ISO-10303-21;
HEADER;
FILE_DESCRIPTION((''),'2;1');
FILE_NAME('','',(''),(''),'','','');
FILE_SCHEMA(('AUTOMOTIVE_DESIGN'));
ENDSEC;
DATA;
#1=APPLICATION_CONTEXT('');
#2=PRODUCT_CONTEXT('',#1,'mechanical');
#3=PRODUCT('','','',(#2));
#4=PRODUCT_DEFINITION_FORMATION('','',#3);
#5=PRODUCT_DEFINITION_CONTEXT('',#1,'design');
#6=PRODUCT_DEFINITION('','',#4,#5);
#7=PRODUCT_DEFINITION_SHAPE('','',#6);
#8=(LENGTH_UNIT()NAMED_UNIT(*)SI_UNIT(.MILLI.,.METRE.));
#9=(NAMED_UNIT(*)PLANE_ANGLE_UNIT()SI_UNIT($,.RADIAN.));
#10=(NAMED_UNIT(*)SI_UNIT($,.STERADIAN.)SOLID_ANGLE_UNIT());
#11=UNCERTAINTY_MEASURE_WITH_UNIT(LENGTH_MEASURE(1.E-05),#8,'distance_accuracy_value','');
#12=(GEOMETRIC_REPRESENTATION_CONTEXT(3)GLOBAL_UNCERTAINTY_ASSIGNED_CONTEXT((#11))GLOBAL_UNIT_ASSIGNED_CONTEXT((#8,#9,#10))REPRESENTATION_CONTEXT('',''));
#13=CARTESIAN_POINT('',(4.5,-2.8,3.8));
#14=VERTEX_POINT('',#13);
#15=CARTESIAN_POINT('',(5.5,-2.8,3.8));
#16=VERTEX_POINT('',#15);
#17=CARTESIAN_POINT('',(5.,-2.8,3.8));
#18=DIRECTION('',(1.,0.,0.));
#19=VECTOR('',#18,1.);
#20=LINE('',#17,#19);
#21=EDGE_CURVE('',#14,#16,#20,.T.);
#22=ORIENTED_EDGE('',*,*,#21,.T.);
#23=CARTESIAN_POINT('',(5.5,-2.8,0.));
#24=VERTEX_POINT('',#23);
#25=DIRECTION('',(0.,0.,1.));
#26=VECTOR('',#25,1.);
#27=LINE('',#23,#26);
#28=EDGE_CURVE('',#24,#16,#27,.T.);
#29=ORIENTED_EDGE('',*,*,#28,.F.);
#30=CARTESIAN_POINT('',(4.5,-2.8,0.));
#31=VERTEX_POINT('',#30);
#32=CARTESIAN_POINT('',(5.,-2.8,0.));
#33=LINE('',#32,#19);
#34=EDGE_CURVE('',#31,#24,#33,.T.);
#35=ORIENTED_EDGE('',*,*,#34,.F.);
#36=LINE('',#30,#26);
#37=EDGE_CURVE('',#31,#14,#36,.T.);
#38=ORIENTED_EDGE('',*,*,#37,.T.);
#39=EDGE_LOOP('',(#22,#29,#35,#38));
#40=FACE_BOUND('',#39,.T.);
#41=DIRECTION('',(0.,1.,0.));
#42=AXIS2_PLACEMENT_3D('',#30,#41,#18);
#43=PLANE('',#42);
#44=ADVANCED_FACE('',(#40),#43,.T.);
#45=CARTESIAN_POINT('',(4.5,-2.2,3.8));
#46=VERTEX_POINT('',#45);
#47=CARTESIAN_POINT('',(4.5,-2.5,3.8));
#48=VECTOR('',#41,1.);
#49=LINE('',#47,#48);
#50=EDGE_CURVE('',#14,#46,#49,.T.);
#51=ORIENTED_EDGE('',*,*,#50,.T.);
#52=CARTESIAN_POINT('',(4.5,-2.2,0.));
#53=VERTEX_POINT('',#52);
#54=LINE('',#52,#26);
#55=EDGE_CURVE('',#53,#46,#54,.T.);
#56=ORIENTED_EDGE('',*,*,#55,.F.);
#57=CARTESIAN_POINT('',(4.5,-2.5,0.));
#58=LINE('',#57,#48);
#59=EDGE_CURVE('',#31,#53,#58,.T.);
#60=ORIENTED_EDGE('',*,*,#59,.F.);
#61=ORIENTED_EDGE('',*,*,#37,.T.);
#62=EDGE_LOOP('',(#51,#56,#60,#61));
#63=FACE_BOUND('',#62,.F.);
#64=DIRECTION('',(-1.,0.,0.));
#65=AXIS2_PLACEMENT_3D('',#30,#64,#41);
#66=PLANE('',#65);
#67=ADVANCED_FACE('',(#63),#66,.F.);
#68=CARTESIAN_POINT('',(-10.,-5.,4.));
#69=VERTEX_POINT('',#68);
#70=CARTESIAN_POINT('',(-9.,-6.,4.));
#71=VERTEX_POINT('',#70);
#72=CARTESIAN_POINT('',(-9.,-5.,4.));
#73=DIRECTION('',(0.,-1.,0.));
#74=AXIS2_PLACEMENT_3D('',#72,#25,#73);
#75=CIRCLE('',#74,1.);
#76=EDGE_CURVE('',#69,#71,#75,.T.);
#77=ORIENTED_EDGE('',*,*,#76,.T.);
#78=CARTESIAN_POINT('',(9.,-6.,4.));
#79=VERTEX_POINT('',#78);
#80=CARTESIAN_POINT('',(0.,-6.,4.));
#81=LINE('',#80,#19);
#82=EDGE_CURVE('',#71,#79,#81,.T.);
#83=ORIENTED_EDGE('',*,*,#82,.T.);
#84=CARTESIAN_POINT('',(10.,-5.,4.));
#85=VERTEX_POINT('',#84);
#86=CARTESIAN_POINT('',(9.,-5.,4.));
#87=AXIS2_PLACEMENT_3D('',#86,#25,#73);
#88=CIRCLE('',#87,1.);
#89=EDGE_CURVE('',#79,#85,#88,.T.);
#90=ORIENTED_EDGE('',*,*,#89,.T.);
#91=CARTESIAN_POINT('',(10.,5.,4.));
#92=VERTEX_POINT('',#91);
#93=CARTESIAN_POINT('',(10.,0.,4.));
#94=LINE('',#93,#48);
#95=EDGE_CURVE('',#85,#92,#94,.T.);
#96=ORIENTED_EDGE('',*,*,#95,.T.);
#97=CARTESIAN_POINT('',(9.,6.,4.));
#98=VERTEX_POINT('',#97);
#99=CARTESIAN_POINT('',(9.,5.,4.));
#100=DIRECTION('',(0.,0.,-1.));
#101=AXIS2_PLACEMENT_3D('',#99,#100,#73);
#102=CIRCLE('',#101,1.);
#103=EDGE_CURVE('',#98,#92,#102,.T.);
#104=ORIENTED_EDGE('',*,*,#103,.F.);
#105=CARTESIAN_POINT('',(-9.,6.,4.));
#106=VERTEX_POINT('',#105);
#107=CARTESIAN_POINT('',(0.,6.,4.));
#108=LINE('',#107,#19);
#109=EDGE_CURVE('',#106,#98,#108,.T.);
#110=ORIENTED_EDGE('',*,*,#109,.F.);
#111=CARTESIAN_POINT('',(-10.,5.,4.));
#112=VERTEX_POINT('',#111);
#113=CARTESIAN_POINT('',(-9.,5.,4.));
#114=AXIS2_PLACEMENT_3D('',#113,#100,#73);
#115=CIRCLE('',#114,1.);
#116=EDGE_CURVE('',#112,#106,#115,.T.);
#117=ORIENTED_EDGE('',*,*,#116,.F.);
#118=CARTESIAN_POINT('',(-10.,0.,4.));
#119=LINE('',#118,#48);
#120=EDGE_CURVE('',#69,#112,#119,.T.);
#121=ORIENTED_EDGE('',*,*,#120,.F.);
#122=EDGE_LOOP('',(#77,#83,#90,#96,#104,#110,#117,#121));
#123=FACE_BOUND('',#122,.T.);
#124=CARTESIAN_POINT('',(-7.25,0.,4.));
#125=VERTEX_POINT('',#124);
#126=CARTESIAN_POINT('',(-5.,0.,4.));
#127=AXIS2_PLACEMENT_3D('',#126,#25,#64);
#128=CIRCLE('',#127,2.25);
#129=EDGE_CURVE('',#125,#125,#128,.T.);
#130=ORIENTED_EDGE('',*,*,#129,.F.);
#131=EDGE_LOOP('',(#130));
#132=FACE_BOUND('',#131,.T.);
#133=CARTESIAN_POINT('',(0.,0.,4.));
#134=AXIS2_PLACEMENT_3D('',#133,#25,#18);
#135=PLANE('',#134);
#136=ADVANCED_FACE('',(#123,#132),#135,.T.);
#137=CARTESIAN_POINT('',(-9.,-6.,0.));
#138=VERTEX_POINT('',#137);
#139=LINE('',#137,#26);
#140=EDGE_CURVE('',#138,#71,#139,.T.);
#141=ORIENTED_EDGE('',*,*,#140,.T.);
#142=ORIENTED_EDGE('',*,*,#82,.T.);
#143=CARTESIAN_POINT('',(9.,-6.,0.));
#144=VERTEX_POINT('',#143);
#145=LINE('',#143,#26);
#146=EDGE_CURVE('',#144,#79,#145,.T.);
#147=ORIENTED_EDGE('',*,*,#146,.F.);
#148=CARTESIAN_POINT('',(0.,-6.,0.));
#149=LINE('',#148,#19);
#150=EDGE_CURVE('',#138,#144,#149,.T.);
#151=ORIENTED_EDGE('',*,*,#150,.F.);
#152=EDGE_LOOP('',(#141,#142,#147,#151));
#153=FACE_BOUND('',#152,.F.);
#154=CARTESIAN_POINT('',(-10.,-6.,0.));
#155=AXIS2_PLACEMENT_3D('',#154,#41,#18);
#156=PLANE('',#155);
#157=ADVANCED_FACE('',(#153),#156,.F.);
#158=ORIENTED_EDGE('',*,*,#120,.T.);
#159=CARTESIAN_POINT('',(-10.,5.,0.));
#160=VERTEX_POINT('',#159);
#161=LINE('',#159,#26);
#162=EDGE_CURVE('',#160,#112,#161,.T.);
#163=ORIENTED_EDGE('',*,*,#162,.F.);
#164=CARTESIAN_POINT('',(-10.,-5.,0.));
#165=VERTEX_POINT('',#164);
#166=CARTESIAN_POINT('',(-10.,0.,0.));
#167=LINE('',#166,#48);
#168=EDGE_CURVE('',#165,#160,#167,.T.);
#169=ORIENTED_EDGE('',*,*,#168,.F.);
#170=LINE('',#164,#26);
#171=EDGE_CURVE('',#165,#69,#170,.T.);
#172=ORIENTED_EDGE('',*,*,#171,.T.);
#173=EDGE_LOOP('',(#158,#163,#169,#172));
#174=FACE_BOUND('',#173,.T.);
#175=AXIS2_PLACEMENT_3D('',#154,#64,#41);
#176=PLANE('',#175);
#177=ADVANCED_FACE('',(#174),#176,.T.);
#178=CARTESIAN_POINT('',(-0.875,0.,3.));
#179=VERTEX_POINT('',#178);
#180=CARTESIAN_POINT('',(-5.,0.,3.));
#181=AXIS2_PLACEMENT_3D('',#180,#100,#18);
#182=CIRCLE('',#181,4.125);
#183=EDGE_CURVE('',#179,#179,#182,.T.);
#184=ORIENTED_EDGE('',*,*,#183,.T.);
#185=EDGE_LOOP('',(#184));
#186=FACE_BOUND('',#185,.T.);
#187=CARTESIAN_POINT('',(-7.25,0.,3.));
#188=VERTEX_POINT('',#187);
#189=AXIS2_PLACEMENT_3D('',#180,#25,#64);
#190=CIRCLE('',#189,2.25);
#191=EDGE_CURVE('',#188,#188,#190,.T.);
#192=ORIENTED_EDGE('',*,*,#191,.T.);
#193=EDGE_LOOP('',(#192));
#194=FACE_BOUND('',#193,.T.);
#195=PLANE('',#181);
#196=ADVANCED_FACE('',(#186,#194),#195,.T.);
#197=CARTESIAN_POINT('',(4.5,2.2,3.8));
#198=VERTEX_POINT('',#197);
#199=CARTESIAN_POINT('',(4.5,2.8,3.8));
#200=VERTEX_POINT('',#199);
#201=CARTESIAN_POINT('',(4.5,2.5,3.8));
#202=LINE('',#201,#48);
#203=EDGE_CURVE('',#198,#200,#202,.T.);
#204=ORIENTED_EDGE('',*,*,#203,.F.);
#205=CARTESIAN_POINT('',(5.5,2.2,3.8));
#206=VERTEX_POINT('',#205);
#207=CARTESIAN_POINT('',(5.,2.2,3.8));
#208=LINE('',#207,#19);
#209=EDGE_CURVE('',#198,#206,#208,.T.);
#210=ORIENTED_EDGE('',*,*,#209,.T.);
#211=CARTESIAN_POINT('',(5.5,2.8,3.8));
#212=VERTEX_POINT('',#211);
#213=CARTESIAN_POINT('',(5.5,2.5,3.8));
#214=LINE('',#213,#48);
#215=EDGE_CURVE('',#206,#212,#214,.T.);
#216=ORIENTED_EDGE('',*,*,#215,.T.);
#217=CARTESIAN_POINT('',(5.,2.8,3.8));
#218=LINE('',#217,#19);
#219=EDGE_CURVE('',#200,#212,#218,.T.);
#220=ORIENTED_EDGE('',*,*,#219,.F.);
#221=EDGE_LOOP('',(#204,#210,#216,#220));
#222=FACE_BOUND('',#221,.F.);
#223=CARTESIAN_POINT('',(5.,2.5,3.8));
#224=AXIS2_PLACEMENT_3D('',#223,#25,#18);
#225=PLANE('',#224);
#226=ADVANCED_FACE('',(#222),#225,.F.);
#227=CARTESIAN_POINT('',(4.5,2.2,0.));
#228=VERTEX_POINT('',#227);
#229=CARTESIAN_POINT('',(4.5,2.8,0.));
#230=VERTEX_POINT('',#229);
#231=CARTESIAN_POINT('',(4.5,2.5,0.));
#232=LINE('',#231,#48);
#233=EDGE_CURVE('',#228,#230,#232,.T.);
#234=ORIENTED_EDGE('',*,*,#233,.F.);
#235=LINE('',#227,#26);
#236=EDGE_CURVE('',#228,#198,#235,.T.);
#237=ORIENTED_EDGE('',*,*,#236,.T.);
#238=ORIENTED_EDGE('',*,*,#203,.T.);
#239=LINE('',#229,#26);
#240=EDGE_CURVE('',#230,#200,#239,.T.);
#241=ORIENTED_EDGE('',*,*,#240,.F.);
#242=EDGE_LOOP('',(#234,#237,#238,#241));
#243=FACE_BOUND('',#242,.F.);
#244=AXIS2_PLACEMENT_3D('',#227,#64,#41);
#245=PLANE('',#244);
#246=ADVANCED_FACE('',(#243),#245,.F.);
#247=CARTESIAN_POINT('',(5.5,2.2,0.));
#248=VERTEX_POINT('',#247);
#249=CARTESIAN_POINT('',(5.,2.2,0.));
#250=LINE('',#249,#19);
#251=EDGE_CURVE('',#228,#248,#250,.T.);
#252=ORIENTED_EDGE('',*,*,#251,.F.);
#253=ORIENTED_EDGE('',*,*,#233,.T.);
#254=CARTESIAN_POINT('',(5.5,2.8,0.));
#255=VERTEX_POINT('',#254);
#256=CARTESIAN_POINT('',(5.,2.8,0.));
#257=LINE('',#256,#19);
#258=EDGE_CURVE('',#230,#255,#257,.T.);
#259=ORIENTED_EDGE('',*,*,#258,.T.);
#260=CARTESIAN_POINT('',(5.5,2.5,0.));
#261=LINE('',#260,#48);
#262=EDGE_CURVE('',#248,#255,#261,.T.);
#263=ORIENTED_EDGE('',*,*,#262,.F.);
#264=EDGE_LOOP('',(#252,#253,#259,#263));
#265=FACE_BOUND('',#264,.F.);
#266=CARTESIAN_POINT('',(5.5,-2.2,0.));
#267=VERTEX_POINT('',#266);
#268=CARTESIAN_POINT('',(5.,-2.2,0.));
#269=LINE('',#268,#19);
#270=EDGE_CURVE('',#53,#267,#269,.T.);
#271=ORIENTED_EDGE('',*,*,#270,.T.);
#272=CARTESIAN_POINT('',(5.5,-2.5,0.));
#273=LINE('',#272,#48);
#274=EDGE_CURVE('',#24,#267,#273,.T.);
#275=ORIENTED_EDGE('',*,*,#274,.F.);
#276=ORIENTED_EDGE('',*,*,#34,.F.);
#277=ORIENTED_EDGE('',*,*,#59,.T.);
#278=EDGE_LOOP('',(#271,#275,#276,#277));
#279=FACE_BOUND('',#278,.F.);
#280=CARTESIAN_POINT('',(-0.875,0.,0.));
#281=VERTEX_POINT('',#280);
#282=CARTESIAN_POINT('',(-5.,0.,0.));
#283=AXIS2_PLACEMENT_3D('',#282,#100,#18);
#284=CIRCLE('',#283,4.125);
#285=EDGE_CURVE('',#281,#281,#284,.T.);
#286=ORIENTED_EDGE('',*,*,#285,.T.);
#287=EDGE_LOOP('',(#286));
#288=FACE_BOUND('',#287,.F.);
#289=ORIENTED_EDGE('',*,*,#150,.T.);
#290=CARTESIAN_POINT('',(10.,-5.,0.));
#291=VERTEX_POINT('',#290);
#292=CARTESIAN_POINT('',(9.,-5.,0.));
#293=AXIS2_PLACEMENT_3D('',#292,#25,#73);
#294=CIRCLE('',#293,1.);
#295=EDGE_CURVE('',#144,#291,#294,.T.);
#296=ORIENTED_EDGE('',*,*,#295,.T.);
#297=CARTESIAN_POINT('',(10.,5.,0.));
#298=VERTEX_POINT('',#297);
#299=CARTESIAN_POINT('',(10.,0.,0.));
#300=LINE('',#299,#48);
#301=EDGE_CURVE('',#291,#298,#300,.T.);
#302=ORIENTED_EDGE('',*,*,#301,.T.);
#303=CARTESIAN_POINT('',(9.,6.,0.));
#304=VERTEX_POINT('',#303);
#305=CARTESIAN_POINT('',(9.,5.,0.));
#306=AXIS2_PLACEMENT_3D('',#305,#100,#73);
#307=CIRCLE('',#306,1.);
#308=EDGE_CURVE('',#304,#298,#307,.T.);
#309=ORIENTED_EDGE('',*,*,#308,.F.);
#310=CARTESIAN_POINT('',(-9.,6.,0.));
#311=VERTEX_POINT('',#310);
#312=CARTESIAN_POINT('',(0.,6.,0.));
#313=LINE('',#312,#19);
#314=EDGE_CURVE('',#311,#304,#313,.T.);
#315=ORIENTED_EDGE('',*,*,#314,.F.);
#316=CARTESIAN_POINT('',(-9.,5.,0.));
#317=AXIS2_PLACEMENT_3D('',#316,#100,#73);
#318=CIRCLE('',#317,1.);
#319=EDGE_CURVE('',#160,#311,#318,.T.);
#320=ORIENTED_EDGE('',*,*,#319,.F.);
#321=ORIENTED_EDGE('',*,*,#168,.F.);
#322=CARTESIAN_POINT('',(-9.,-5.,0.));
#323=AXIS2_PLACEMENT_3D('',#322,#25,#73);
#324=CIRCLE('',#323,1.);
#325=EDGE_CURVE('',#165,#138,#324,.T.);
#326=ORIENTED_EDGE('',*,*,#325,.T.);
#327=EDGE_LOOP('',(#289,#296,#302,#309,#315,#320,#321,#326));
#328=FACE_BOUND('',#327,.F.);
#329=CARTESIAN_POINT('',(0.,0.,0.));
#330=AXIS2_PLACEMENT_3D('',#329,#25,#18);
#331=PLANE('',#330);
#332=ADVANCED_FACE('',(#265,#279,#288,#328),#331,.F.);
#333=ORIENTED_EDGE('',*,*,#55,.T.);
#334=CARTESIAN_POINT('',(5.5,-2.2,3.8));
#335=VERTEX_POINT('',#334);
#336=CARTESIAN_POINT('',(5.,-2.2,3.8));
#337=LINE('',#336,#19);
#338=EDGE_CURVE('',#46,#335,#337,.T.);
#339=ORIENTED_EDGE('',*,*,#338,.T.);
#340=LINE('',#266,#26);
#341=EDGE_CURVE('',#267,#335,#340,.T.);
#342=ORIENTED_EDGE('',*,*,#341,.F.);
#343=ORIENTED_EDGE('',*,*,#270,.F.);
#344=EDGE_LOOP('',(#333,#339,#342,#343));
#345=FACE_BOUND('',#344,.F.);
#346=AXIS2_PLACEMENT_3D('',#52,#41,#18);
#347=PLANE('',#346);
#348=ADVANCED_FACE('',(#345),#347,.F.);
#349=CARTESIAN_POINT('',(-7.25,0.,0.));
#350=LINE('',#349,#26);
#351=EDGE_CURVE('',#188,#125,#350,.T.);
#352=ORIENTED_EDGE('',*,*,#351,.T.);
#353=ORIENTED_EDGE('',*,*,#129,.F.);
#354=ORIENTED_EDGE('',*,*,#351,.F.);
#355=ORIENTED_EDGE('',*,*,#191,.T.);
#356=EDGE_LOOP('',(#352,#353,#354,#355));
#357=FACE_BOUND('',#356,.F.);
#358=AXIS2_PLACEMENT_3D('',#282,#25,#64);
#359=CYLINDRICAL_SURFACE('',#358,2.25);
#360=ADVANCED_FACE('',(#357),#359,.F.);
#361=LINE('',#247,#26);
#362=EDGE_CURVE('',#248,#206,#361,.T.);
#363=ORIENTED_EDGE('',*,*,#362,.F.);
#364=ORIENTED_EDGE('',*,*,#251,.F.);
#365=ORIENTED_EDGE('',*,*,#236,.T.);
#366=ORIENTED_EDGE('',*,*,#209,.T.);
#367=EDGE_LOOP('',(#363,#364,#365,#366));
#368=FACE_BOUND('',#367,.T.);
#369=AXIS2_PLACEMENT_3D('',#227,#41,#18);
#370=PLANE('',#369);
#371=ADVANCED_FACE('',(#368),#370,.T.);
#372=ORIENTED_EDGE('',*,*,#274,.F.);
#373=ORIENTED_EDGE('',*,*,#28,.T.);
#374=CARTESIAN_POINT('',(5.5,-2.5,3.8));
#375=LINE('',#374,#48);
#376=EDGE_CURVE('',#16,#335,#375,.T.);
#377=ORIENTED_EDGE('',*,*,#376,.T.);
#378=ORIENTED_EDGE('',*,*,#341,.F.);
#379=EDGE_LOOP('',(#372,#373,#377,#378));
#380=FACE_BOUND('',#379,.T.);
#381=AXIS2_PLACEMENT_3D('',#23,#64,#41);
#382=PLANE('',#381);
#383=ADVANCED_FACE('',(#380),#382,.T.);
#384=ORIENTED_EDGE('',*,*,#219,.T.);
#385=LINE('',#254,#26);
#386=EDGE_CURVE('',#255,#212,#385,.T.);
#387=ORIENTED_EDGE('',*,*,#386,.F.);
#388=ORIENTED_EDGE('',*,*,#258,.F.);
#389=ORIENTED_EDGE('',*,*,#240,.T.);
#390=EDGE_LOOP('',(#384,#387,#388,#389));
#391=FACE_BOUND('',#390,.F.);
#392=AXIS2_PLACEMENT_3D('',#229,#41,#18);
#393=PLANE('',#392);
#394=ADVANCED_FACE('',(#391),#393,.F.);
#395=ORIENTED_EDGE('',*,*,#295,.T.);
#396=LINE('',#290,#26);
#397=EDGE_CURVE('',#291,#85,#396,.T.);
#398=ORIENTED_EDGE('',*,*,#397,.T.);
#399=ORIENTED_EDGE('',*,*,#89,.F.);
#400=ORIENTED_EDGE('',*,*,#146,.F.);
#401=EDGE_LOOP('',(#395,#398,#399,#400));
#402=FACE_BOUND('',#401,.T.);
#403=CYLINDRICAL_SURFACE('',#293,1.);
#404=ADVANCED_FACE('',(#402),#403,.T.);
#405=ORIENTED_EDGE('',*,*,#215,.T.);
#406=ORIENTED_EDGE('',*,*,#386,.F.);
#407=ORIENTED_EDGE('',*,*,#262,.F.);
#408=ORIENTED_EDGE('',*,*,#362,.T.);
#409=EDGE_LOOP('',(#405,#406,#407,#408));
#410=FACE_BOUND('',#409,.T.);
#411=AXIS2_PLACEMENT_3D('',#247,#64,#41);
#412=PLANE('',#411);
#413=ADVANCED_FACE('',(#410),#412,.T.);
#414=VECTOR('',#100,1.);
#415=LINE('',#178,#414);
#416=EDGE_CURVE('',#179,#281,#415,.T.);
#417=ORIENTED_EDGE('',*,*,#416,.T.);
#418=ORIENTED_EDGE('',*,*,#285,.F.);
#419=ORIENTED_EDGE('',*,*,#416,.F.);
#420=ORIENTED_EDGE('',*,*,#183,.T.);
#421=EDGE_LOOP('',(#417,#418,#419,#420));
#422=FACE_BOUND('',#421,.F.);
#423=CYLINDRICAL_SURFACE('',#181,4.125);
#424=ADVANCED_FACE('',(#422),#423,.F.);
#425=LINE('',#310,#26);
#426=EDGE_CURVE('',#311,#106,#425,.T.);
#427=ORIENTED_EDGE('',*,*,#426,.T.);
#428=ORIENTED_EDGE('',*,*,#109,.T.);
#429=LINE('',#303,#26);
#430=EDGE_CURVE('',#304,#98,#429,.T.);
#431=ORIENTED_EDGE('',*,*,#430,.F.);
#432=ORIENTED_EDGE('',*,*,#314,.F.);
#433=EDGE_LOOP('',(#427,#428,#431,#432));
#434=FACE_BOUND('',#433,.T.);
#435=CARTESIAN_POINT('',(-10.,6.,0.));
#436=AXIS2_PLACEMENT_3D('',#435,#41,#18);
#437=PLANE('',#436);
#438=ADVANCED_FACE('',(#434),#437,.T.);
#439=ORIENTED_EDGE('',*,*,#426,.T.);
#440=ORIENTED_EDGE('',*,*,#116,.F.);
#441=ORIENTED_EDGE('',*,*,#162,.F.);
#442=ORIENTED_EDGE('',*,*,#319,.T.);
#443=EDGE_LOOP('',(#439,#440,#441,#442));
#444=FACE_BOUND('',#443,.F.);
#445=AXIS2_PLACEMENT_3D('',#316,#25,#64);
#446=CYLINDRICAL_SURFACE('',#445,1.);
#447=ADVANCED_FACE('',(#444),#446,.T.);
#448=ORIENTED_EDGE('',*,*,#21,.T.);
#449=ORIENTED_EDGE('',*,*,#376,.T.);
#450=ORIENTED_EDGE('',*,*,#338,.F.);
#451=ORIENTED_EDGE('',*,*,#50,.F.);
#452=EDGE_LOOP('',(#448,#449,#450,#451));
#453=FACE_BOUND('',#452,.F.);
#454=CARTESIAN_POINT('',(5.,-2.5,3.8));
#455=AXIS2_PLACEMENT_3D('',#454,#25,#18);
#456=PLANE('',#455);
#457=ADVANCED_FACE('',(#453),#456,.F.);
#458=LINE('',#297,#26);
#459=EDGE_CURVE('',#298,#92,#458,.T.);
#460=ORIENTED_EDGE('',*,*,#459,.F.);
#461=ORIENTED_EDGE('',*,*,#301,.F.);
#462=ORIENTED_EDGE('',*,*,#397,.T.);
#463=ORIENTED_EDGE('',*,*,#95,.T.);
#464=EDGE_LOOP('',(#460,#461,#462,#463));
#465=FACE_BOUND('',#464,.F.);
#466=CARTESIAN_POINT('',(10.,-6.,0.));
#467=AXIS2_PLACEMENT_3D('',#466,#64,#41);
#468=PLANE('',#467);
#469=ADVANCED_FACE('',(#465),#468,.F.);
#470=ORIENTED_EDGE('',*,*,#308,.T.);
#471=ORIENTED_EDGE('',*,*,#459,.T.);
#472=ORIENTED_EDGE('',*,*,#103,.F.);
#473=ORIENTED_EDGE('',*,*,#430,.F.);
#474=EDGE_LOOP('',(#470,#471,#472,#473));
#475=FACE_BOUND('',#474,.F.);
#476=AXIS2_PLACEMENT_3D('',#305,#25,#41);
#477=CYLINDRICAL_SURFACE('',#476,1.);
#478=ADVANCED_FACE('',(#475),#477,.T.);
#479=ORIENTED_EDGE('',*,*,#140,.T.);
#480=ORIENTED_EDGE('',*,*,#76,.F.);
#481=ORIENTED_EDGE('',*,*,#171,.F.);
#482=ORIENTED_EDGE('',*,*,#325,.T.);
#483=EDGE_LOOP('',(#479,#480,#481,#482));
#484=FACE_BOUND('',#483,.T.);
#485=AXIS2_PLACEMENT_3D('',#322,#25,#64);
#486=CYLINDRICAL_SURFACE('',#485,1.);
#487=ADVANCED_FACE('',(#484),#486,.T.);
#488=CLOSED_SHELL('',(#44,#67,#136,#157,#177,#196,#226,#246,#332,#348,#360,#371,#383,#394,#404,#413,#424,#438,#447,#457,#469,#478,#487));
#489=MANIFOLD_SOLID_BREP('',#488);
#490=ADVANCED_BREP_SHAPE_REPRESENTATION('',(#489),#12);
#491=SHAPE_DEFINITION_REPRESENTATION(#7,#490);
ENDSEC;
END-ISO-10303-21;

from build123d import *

# Parameters (mm, degrees)
F0_W           = 20
F0_H           = 12
F0_W_2         = 1
F0_H_2         = 0.6
F1_DEPTH       = 4
F2_D           = 4.5
F2_CBORE_D     = 8.25
F2_CBORE_DEPTH = 3
F3_R           = 1
F4_DEPTH       = 3.8


with BuildPart() as f1:
    # F0 (on Top) → F1 (new body)
    with BuildSketch(Plane.XY):
        Rectangle(F0_W, F0_H)
        with Locations((5, -2.5)):
            Rectangle(F0_W_2, F0_H_2, mode=Mode.SUBTRACT)
        with Locations((5, 2.5)):
            Rectangle(F0_W_2, F0_H_2, mode=Mode.SUBTRACT)
        with Locations((5, -2.5)):
            Rectangle(F0_W_2, F0_H_2)
        with Locations((5, 2.5)):
            Rectangle(F0_W_2, F0_H_2)
    extrude(amount=F1_DEPTH)

    # F2 (through all)
    with Locations(Plane(origin=(0, 0, 0), x_dir=(1, 0, 0), z_dir=(0, 0, -1))):
        with Locations((-5, 0)):
            CounterBoreHole(F2_D / 2, F2_CBORE_D / 2, F2_CBORE_DEPTH)

    # F3
    f3_edges = [f1.edges().sort_by_distance(p)[0] for p in [
        (-10, 6, 2),
        (10, 6, 2),
        (-10, -6, 2),
        (10, -6, 2),
    ]]
    fillet(f3_edges, radius=F3_R)

    # F0 (on Top) → F4 (cut)
    with BuildSketch(Plane.XY):
        with Locations((5, -2.5)):
            Rectangle(F0_W_2, F0_H_2)
        with Locations((5, 2.5)):
            Rectangle(F0_W_2, F0_H_2)
    extrude(amount=F4_DEPTH, mode=Mode.SUBTRACT)


solid = f1.part
